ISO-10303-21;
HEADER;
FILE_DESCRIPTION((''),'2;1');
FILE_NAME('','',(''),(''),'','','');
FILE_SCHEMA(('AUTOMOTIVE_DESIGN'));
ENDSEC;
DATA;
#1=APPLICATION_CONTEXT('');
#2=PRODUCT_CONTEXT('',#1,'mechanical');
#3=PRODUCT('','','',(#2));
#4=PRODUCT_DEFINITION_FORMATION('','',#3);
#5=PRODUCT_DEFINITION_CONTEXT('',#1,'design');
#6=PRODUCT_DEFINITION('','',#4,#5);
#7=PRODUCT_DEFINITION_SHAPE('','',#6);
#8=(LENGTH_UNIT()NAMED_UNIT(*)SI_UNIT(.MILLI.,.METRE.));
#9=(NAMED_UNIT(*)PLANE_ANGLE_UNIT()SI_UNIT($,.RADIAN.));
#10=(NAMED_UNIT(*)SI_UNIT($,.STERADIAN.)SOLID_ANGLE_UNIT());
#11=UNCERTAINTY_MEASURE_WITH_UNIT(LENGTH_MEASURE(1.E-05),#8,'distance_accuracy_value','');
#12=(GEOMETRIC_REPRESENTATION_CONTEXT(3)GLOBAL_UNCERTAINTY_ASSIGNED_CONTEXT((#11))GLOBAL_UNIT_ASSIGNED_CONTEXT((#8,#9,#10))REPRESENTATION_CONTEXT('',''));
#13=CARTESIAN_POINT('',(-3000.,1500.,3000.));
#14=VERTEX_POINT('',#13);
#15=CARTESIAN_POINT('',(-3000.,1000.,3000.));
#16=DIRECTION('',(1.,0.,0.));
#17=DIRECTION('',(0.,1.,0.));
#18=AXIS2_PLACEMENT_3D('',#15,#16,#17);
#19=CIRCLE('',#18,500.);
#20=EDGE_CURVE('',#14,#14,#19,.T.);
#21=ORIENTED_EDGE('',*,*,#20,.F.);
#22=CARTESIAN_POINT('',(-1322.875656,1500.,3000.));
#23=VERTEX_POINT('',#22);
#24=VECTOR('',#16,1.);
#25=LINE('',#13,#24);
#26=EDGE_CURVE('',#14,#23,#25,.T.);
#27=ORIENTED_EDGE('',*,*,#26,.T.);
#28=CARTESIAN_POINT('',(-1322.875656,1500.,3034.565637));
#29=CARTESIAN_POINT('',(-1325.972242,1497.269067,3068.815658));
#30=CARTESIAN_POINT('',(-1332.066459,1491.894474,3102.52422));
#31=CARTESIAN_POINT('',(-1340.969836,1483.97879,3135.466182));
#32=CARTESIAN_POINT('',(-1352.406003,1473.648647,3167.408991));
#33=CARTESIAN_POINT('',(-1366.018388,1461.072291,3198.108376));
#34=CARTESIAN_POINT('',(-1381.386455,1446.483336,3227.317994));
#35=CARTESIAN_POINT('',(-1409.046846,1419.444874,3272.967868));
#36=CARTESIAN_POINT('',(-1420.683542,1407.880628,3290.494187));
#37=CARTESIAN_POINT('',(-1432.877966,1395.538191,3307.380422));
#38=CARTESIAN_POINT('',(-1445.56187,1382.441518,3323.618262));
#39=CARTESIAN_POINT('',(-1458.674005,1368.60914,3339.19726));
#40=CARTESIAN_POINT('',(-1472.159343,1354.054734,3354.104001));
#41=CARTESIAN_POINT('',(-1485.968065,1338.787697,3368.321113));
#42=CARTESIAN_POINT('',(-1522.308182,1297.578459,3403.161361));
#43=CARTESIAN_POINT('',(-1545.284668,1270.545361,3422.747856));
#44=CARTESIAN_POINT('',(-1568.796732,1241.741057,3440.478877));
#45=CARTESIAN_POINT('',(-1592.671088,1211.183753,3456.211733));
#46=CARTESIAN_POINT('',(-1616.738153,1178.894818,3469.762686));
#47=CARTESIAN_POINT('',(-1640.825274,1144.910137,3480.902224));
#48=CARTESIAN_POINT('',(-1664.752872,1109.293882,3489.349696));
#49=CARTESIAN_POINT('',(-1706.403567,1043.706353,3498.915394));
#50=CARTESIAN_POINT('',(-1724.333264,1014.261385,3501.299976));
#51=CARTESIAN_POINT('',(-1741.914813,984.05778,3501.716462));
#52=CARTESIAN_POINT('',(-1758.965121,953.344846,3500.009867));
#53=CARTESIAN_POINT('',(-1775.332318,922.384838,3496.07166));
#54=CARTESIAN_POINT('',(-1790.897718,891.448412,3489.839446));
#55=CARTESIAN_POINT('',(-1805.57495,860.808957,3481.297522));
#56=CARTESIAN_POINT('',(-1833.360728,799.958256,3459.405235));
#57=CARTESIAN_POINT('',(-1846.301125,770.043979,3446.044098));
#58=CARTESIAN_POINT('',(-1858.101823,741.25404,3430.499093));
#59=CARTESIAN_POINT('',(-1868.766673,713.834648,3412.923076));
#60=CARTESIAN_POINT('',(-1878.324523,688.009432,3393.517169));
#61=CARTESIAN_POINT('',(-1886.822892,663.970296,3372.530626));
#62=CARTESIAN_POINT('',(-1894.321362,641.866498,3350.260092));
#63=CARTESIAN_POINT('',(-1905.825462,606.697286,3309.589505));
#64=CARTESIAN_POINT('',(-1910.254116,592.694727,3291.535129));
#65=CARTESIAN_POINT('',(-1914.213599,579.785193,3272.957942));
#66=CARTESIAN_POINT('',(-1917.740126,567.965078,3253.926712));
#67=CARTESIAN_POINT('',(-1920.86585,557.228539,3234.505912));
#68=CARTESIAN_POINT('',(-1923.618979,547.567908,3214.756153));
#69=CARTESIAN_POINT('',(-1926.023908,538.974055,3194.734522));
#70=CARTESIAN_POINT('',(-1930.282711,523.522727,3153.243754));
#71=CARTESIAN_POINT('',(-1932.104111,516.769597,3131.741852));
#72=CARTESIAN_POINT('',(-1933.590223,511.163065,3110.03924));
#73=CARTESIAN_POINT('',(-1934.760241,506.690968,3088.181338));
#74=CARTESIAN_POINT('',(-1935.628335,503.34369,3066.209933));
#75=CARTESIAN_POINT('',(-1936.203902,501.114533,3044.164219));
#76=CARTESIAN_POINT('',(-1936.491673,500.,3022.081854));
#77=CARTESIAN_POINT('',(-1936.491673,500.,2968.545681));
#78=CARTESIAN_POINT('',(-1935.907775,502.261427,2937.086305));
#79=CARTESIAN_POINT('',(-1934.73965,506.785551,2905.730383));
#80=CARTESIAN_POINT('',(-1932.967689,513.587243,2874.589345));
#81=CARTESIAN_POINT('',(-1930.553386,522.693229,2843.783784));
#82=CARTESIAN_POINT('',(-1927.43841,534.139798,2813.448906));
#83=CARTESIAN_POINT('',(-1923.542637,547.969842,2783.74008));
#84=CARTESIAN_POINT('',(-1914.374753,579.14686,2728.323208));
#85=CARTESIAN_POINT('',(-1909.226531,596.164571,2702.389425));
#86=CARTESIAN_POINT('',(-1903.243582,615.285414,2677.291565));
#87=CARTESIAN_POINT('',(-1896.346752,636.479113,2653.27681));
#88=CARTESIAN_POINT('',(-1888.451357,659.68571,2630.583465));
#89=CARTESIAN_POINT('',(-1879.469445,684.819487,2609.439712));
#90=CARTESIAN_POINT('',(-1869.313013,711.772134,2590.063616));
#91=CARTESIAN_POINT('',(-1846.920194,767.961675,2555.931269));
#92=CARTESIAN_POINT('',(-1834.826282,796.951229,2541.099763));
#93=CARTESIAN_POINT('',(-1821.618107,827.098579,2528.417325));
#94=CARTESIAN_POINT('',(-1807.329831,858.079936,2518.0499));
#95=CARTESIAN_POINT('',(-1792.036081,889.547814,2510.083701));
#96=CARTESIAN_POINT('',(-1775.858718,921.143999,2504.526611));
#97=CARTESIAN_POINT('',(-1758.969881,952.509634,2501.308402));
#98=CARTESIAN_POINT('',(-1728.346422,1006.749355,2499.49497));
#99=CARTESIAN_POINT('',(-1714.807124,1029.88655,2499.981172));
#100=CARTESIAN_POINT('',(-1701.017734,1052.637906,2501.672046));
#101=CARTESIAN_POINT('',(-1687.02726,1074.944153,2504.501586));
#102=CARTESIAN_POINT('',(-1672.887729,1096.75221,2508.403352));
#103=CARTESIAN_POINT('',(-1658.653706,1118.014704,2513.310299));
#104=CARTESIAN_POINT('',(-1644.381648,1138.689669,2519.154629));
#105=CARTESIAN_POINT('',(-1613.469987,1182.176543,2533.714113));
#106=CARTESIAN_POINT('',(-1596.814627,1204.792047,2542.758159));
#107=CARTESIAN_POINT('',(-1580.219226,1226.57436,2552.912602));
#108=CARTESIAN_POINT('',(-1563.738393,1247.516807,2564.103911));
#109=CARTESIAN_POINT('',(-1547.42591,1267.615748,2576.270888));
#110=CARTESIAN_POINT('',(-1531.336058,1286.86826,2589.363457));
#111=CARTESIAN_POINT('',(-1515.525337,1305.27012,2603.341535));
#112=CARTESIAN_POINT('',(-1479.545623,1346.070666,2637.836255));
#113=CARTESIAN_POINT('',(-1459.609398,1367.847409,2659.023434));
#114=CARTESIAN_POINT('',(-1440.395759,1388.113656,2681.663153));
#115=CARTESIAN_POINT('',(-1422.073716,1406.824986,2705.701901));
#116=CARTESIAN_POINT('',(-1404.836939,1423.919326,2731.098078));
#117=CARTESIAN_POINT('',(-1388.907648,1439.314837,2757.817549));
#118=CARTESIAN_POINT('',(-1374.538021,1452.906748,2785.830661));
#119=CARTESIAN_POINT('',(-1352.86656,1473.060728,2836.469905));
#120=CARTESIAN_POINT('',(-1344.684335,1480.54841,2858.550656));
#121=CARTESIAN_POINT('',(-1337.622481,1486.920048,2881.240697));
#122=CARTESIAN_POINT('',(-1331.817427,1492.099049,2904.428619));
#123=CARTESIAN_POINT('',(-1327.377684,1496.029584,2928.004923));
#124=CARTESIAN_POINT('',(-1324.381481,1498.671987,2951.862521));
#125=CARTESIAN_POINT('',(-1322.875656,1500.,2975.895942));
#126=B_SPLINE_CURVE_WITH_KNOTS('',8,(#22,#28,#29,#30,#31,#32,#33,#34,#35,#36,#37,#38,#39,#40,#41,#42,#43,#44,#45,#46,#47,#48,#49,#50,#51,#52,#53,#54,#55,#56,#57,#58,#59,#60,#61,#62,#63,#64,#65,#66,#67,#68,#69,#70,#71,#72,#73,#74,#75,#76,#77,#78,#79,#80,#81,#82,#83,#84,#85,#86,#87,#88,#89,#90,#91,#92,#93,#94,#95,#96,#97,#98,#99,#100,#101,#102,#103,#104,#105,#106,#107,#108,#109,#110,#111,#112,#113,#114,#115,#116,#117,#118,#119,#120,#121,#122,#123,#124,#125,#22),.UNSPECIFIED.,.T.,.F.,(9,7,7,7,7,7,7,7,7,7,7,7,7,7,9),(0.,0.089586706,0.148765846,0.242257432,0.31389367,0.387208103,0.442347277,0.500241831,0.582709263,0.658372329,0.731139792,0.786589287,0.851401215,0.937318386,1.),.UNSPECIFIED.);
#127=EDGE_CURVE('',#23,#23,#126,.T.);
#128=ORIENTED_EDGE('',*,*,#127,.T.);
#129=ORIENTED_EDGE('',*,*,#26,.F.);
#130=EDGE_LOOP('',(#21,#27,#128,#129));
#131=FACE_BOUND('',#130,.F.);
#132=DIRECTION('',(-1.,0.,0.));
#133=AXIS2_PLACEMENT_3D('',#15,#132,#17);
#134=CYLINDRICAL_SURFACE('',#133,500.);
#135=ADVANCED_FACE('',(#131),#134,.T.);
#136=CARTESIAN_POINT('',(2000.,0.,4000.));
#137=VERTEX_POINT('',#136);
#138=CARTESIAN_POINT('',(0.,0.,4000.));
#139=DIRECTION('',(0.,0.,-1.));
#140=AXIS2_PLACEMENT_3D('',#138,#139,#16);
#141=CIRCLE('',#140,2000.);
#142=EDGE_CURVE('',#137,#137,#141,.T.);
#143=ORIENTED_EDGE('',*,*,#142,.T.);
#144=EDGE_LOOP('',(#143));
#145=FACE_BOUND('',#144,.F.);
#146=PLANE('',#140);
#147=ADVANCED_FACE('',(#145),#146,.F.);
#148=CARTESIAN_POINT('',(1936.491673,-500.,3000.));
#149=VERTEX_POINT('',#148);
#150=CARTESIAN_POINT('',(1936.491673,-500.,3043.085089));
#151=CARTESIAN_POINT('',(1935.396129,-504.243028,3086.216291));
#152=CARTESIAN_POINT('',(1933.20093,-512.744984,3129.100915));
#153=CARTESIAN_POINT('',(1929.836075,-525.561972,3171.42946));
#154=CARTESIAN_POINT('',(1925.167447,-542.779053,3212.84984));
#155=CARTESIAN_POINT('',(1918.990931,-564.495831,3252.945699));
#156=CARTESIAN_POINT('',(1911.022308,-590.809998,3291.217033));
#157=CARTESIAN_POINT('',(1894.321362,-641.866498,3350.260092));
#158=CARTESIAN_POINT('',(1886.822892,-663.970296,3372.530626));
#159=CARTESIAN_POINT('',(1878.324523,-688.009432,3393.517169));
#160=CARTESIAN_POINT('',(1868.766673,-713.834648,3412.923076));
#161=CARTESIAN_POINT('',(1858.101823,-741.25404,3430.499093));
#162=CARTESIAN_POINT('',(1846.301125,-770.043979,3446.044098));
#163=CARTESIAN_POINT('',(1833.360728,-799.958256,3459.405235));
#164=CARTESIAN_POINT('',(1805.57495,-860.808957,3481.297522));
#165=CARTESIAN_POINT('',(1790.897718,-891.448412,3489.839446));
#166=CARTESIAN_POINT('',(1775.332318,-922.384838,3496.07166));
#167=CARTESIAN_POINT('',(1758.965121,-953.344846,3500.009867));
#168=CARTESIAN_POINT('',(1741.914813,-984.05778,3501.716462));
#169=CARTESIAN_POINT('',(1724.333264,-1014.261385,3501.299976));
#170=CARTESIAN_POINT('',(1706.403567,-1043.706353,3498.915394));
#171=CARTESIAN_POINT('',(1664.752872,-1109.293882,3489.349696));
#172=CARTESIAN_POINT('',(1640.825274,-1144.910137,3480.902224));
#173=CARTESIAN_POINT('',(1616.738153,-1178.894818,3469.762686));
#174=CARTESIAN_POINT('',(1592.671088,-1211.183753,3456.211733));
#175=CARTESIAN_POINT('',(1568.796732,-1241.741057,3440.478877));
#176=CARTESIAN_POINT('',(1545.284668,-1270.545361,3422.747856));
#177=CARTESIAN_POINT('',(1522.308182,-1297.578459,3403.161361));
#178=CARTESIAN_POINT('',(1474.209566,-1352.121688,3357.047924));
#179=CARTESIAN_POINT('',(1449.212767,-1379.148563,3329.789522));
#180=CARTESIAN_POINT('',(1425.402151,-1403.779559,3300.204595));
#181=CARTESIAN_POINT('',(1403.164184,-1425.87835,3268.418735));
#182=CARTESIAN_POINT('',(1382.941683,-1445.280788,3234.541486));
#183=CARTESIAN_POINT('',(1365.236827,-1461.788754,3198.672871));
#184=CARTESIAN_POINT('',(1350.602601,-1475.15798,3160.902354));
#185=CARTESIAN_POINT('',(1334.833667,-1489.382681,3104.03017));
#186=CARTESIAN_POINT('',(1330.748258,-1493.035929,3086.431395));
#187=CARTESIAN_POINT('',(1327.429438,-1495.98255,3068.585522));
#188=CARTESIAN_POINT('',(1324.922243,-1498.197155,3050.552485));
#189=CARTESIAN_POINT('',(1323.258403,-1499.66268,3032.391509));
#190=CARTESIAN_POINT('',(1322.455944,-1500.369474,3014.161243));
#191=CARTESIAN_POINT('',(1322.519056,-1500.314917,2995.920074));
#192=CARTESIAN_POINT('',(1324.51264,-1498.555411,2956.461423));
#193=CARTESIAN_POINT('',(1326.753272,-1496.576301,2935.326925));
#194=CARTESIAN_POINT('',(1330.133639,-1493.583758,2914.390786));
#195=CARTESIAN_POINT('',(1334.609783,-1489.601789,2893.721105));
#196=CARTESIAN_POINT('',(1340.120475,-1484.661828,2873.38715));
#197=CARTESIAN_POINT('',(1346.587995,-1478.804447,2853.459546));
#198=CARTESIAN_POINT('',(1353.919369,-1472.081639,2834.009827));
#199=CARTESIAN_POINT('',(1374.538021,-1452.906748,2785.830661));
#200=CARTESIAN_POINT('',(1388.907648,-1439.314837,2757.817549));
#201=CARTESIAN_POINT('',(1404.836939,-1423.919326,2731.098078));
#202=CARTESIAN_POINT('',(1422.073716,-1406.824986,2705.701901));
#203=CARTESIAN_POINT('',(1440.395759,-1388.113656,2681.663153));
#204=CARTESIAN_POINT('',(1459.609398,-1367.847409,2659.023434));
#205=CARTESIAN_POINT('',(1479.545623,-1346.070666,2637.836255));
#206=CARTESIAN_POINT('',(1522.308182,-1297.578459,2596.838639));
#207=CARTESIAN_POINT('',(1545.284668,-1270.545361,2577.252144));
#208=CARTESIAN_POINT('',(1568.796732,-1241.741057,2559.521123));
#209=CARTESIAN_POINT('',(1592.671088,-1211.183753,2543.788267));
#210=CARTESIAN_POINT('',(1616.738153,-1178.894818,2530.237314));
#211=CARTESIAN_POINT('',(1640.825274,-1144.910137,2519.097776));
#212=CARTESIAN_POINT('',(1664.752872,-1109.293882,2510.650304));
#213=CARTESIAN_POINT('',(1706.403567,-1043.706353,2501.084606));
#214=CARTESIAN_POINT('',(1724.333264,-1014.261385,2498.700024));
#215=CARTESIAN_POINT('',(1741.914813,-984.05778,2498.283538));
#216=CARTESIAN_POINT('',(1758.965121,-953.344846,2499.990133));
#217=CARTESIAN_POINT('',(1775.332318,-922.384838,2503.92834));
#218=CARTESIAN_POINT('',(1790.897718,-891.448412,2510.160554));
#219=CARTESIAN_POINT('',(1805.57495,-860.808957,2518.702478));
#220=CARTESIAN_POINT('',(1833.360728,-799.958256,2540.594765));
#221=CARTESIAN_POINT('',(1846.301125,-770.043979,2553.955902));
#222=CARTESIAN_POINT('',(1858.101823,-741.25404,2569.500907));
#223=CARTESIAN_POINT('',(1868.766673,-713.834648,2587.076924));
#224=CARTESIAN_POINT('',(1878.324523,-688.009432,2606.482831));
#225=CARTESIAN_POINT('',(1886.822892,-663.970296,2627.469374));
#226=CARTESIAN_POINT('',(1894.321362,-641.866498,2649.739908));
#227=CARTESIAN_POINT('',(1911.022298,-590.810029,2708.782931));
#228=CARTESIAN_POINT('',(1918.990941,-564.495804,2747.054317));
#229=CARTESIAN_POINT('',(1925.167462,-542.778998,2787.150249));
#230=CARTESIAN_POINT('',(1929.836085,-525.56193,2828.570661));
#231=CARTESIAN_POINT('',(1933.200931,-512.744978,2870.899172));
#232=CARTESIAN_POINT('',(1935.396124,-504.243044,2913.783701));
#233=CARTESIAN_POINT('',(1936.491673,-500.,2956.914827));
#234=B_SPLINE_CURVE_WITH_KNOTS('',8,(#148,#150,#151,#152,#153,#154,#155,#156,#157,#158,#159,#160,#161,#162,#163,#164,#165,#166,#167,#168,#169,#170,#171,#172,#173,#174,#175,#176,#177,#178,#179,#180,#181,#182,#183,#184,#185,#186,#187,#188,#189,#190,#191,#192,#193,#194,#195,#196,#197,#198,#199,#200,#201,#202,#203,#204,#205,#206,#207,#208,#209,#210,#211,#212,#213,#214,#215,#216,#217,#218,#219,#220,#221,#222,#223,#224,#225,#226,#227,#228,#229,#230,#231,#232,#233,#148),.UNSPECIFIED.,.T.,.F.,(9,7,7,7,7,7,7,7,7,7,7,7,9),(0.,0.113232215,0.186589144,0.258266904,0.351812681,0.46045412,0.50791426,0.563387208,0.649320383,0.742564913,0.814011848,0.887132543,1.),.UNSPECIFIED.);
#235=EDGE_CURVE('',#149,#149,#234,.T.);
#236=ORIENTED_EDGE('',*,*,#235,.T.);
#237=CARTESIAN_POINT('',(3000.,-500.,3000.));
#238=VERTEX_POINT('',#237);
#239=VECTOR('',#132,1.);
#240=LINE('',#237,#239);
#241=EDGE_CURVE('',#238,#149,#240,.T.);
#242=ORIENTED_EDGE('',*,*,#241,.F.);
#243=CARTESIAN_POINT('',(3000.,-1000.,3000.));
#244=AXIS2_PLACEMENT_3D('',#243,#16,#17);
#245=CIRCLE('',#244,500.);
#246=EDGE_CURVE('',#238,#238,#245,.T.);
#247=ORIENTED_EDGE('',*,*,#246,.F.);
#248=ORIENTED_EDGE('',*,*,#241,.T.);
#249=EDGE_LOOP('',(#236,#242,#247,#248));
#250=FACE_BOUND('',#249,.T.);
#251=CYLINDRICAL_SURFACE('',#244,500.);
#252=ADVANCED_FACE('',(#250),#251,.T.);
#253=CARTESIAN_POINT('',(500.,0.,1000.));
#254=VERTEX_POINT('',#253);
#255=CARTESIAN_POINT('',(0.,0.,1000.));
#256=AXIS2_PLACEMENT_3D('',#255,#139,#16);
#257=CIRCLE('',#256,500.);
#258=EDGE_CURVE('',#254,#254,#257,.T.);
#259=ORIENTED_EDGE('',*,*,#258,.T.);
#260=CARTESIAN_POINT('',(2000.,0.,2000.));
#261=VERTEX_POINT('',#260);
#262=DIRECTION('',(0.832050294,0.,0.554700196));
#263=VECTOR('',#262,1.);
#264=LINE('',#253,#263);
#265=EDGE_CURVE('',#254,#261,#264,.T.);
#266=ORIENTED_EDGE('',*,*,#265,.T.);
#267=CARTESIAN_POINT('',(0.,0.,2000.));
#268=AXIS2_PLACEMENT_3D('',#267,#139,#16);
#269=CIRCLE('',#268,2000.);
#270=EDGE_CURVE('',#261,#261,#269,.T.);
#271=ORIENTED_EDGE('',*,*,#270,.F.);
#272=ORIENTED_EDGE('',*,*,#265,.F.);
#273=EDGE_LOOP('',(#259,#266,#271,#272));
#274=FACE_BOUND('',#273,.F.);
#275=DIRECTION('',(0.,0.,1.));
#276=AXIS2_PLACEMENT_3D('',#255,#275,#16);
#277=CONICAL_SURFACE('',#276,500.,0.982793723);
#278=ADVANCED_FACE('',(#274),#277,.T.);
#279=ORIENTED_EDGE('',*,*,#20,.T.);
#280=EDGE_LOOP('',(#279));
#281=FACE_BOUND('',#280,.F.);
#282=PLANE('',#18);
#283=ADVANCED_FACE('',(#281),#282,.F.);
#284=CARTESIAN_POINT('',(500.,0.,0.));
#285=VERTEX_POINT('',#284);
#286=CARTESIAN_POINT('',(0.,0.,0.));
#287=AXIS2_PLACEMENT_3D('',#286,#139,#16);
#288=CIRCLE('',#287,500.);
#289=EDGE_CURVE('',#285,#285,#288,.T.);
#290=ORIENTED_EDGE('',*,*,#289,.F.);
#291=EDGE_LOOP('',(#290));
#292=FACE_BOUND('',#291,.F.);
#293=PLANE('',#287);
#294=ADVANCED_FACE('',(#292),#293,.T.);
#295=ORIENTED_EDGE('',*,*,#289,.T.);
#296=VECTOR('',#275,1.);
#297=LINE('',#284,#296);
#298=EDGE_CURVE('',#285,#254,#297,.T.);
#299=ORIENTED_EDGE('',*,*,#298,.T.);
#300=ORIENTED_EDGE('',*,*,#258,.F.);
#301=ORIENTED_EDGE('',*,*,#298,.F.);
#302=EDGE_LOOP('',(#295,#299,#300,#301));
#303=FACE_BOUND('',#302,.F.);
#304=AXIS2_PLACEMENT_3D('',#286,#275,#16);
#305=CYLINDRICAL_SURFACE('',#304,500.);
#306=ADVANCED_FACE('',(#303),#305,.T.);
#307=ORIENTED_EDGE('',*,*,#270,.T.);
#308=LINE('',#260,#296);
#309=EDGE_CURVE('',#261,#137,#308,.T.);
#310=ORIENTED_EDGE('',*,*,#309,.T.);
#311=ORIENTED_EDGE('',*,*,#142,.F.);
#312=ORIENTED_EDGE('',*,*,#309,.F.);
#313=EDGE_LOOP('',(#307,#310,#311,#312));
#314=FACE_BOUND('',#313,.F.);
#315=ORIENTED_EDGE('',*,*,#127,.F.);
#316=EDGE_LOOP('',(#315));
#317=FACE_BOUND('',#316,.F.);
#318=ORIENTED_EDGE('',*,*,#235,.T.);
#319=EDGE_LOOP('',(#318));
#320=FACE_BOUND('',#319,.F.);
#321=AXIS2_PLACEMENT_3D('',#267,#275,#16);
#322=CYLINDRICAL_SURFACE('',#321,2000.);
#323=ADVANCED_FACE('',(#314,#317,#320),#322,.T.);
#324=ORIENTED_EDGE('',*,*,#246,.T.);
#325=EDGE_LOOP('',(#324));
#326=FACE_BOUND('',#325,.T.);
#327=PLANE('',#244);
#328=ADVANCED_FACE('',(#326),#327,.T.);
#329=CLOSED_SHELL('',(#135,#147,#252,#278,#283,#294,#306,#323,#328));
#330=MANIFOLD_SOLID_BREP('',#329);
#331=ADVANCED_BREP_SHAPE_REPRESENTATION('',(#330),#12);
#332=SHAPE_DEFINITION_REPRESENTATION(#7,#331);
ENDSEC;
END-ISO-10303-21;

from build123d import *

# Parameters (mm, degrees)
F3_R = 500
F5_R = 500


with BuildPart() as f1:
    # F0 (on Front) → F1 (revolve)
    with BuildSketch(Plane.XZ):
        Polygon((0, 4000), (0, 0), (500, 0), (500, 1000), (2000, 2000), (2000, 4000), align=None)
    revolve(axis=Axis((0, 0, 2000), (0, 0, -1)))

    # F3 (on offset) → F6 (join, up to the next surface of F1)
    with BuildSketch(Plane.YZ.offset(-3000)):
        with Locations((1000, 3000)):
            Circle(F3_R)
    extrude(until=Until.NEXT)

    # F5 (on offset) → F7 (join, up to the next surface of F1)
    with BuildSketch(Plane.YZ.offset(3000)):
        with Locations((-1000, 3000)):
            Circle(F5_R)
    extrude(until=Until.NEXT, dir=(-1, 0, 0))


solid = f1.part
